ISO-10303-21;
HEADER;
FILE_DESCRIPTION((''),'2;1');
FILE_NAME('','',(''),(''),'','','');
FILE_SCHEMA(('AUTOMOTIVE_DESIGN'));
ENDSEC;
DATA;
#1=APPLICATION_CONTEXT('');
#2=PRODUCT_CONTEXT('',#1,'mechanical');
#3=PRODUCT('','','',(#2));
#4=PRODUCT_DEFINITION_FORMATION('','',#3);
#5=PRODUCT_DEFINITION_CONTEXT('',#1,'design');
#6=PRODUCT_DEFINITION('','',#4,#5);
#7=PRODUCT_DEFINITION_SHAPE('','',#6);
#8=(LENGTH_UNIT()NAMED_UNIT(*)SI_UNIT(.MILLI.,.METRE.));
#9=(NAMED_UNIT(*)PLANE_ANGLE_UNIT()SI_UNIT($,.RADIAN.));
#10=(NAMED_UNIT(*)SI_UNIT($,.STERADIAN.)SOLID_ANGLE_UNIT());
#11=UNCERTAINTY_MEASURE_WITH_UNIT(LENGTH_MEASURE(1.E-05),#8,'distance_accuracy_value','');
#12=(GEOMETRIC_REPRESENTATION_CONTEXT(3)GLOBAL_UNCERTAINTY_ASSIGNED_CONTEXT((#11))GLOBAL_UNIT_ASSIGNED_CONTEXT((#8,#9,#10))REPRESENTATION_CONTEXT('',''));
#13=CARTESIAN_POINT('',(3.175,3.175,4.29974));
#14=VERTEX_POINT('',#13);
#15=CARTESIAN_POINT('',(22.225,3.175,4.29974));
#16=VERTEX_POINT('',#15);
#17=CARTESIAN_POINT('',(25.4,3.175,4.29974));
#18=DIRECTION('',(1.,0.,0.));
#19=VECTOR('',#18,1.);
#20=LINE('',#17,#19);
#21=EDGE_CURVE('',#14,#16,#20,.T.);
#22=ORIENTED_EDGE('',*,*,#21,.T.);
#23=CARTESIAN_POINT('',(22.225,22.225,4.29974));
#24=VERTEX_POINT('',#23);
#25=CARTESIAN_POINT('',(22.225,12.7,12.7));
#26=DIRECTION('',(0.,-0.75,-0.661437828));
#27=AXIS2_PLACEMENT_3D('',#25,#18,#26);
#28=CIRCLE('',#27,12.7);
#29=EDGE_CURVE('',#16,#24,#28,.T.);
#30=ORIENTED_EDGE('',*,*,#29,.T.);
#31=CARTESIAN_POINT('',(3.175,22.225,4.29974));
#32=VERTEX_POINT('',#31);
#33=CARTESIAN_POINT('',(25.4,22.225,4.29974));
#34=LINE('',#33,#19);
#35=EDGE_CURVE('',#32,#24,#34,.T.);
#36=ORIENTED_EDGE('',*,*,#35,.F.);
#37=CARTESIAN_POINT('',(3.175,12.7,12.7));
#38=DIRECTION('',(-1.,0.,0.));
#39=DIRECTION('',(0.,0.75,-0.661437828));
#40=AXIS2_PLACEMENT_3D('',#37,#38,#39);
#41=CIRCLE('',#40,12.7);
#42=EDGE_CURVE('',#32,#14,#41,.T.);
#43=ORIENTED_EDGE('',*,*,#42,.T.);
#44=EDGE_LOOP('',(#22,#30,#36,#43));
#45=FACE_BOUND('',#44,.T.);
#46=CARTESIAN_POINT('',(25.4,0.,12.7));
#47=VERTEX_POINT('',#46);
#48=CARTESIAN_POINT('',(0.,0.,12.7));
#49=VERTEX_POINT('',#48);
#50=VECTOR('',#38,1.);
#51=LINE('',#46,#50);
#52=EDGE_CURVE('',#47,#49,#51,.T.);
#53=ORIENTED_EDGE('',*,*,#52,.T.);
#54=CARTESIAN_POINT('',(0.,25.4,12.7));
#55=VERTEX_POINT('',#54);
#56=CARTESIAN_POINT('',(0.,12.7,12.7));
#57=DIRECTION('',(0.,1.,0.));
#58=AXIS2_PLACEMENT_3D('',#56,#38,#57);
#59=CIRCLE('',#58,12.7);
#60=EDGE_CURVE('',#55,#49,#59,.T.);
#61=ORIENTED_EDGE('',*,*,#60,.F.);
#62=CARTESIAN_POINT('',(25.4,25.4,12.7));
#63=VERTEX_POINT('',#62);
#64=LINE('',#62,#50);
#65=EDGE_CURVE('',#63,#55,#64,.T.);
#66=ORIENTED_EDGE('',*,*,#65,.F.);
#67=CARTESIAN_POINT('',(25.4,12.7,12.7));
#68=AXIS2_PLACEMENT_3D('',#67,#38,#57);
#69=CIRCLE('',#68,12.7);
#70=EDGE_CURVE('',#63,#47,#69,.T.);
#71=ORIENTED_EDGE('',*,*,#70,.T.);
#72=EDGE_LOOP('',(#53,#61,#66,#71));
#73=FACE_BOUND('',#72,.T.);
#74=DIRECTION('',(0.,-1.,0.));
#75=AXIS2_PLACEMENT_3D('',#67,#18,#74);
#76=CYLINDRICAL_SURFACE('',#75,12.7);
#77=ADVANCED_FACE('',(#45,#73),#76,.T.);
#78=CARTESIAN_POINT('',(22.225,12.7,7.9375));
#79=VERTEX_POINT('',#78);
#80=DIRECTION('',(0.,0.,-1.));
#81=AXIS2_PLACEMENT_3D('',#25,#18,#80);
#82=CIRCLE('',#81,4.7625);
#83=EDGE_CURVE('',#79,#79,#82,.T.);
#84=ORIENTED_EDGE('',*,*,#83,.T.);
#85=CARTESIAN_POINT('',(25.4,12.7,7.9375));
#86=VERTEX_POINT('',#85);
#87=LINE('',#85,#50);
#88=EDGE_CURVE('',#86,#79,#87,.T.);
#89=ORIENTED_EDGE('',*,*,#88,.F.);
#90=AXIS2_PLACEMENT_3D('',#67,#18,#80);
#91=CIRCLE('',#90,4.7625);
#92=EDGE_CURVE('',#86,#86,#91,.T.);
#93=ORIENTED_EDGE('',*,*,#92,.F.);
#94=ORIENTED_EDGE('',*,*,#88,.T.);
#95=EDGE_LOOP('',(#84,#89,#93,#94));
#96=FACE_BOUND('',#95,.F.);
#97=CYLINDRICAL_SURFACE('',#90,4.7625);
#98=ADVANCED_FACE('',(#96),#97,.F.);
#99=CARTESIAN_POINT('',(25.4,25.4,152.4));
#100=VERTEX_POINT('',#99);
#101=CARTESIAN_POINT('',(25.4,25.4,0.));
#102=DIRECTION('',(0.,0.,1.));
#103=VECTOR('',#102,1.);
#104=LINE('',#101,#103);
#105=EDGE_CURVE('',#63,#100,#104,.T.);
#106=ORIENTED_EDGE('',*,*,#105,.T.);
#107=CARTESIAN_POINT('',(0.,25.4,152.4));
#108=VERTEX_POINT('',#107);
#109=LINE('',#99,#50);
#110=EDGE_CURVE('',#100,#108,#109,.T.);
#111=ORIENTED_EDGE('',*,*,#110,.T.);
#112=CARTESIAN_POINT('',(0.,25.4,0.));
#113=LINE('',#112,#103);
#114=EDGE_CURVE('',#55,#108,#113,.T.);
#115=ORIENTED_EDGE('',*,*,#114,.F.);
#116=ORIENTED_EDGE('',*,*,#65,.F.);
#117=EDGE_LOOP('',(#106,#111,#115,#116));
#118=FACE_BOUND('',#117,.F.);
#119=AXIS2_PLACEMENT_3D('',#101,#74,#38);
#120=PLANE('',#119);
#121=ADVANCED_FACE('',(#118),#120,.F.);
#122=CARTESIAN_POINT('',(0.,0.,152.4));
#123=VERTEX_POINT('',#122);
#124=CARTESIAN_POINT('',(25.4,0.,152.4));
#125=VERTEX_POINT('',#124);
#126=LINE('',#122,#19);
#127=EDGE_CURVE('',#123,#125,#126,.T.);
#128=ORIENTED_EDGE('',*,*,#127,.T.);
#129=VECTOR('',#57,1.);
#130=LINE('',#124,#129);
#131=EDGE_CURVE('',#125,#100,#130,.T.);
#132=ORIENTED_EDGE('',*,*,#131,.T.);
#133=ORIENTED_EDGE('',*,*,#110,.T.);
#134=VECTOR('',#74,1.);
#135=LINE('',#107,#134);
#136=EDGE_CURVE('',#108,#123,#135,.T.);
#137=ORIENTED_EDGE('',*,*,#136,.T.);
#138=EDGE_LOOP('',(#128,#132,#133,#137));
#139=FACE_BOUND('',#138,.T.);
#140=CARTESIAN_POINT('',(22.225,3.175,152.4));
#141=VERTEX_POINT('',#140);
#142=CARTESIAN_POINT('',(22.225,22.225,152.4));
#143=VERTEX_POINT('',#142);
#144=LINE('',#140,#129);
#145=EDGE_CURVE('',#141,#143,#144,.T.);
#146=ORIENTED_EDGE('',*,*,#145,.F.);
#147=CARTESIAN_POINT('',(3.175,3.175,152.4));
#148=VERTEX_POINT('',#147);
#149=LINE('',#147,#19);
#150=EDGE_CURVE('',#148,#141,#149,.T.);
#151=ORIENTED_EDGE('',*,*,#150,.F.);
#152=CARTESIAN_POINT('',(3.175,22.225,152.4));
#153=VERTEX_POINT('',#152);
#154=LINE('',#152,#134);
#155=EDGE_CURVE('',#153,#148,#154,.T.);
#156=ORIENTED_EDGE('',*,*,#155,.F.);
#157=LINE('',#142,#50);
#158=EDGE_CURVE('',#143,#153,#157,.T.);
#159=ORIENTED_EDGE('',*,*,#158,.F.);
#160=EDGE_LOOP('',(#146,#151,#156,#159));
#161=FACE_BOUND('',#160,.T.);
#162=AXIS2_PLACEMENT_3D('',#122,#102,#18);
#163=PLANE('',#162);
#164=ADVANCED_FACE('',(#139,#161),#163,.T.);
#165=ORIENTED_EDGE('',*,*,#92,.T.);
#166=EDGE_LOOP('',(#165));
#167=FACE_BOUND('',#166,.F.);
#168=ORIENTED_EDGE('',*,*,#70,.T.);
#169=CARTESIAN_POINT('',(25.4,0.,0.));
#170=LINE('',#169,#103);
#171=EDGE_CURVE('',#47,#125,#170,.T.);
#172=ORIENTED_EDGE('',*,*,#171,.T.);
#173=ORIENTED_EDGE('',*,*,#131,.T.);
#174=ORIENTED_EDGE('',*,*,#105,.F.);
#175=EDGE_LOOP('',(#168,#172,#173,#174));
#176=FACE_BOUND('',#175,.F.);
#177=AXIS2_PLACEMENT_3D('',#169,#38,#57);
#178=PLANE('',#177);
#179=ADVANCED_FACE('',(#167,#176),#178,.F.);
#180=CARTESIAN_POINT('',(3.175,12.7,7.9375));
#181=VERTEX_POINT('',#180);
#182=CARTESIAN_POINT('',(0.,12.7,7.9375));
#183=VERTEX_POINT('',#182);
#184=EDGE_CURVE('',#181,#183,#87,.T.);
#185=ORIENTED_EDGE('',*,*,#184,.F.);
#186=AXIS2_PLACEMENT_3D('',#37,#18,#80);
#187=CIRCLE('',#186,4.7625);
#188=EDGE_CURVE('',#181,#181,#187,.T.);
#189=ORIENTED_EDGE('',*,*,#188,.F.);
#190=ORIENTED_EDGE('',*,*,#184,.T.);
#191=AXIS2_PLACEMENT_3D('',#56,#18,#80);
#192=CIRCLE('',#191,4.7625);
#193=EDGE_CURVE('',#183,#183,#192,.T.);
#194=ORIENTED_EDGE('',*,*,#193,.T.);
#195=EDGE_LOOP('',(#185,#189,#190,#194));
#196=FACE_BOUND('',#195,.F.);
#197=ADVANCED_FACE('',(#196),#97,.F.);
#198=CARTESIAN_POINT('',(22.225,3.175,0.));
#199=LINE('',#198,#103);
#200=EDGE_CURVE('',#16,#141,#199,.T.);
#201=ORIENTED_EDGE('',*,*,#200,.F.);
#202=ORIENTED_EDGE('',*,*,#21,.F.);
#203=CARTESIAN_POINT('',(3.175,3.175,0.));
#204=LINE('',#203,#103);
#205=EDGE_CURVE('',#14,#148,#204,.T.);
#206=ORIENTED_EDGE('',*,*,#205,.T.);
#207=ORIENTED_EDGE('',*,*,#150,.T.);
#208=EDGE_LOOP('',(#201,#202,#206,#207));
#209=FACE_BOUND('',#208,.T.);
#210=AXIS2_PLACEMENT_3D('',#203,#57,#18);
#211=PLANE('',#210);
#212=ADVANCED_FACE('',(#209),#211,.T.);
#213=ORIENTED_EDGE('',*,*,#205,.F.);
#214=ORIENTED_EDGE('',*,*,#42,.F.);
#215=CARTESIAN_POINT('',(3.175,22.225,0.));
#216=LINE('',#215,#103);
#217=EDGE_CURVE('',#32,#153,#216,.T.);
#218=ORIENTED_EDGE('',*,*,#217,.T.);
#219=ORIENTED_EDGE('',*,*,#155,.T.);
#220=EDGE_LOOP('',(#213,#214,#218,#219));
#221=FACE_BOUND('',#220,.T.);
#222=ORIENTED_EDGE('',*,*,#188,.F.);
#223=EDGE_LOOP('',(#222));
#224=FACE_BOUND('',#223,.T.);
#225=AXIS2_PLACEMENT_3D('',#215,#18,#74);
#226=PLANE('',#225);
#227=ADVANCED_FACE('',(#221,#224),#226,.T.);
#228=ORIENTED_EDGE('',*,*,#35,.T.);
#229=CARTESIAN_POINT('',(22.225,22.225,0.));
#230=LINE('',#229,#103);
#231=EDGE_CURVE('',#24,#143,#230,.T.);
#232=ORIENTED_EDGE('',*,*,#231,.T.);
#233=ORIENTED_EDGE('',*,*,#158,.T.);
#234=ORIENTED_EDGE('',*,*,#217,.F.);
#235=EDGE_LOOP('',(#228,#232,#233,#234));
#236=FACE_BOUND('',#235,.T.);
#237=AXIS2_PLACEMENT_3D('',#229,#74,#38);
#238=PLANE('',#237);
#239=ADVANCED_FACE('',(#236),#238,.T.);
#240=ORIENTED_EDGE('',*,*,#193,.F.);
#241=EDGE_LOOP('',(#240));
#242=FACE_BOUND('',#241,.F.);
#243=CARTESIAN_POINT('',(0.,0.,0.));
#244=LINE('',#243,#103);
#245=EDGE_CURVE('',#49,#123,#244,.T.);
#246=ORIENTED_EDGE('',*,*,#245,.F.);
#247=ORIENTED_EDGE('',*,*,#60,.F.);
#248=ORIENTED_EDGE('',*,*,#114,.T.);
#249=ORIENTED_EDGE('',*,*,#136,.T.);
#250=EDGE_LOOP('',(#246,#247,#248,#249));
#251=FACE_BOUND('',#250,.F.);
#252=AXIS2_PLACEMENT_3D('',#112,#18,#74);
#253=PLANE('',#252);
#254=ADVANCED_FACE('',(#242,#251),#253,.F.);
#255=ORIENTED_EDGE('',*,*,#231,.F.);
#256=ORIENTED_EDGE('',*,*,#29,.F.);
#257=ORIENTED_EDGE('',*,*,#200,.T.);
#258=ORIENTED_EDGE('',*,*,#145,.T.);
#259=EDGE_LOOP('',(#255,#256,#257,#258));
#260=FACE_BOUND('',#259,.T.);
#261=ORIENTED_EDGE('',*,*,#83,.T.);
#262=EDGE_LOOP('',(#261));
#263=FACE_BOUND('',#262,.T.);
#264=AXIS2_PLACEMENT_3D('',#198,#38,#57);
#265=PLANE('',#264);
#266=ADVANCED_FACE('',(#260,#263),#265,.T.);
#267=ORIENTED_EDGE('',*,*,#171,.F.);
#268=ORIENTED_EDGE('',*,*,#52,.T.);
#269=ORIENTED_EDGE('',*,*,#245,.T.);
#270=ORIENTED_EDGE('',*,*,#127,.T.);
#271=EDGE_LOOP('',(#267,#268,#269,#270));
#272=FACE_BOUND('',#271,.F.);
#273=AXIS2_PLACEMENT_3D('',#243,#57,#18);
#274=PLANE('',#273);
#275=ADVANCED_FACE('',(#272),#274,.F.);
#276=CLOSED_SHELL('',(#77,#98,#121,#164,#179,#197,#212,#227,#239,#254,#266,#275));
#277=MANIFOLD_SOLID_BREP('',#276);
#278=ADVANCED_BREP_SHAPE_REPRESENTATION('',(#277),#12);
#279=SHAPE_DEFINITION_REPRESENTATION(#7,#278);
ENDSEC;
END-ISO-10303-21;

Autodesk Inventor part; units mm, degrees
ref_plane "YZ Plane" through (0, 0, 0) normal (1, 0, 0) x (0, 1, 0)
ref_plane "XZ Plane" through (0, 0, 0) normal (0, 1, 0) x (-1, 0, 0)
ref_plane "XY Plane" through (0, 0, 0) normal (0, 0, 1) x (1, 0, 0)
sketch "Sketch1" plane through (0, 0, 0) normal (0, 0, 1) x (1, 0, 0)
  line L0 (0, 0) -> (25.4, 0)
  line L1 (25.4, 0) -> (25.4, 25.4)
  line L2 (25.4, 25.4) -> (0, 25.4)
  line L3 (0, 25.4) -> (0, 0)
  line L4 (3.175, 3.175) -> (22.225, 3.175)
  line L5 (22.225, 3.175) -> (22.225, 22.225)
  line L6 (22.225, 22.225) -> (3.175, 22.225)
  line L7 (3.175, 22.225) -> (3.175, 3.175)
  dimension "d0" = 25.4
  dimension "d1" = 25.4
  dimension "d2" = 3.175
  dimension "d3" = 3.175
  dimension "d4" = 3.175
  dimension "d5" = 3.175
extrude "Extrusion1" add sketch "Sketch1" along normal blind 152.4
sketch "Sketch2" plane through (25.4, 0, 0) normal (1, 0, 0) x (0, 0, -1)
  line L0 (-152.4, 25.4) -> (-152.4, 0) projected
  line L1 (0, 0) -> (-152.4, 0) projected
  line L2 (0, 0) -> (0, 25.4) projected
  line L3 (0, 25.4) -> (-152.4, 25.4) projected
  circle A0 centre (-12.7, 12.7) radius 4.7625
  arc A1 (-12.7, 0) -> (-12.7, 25.4) centre (-12.7, 12.7) ccw
  dimension "d8" = 9.525
  dimension "d9" = 12.7
  dimension "d10" = 12.7
extrude "Extrusion2" cut sketch "Sketch2" against normal blind 25.4 contours L3 L2 A1 | A1 L2 L1 | A0
equation "\"d2\" = d5"
equation "\"d3\" = d2"
equation "\"d5\" = d4"
equation "\"d10\" = d9"
properties part number "8 ball top arm tube"
